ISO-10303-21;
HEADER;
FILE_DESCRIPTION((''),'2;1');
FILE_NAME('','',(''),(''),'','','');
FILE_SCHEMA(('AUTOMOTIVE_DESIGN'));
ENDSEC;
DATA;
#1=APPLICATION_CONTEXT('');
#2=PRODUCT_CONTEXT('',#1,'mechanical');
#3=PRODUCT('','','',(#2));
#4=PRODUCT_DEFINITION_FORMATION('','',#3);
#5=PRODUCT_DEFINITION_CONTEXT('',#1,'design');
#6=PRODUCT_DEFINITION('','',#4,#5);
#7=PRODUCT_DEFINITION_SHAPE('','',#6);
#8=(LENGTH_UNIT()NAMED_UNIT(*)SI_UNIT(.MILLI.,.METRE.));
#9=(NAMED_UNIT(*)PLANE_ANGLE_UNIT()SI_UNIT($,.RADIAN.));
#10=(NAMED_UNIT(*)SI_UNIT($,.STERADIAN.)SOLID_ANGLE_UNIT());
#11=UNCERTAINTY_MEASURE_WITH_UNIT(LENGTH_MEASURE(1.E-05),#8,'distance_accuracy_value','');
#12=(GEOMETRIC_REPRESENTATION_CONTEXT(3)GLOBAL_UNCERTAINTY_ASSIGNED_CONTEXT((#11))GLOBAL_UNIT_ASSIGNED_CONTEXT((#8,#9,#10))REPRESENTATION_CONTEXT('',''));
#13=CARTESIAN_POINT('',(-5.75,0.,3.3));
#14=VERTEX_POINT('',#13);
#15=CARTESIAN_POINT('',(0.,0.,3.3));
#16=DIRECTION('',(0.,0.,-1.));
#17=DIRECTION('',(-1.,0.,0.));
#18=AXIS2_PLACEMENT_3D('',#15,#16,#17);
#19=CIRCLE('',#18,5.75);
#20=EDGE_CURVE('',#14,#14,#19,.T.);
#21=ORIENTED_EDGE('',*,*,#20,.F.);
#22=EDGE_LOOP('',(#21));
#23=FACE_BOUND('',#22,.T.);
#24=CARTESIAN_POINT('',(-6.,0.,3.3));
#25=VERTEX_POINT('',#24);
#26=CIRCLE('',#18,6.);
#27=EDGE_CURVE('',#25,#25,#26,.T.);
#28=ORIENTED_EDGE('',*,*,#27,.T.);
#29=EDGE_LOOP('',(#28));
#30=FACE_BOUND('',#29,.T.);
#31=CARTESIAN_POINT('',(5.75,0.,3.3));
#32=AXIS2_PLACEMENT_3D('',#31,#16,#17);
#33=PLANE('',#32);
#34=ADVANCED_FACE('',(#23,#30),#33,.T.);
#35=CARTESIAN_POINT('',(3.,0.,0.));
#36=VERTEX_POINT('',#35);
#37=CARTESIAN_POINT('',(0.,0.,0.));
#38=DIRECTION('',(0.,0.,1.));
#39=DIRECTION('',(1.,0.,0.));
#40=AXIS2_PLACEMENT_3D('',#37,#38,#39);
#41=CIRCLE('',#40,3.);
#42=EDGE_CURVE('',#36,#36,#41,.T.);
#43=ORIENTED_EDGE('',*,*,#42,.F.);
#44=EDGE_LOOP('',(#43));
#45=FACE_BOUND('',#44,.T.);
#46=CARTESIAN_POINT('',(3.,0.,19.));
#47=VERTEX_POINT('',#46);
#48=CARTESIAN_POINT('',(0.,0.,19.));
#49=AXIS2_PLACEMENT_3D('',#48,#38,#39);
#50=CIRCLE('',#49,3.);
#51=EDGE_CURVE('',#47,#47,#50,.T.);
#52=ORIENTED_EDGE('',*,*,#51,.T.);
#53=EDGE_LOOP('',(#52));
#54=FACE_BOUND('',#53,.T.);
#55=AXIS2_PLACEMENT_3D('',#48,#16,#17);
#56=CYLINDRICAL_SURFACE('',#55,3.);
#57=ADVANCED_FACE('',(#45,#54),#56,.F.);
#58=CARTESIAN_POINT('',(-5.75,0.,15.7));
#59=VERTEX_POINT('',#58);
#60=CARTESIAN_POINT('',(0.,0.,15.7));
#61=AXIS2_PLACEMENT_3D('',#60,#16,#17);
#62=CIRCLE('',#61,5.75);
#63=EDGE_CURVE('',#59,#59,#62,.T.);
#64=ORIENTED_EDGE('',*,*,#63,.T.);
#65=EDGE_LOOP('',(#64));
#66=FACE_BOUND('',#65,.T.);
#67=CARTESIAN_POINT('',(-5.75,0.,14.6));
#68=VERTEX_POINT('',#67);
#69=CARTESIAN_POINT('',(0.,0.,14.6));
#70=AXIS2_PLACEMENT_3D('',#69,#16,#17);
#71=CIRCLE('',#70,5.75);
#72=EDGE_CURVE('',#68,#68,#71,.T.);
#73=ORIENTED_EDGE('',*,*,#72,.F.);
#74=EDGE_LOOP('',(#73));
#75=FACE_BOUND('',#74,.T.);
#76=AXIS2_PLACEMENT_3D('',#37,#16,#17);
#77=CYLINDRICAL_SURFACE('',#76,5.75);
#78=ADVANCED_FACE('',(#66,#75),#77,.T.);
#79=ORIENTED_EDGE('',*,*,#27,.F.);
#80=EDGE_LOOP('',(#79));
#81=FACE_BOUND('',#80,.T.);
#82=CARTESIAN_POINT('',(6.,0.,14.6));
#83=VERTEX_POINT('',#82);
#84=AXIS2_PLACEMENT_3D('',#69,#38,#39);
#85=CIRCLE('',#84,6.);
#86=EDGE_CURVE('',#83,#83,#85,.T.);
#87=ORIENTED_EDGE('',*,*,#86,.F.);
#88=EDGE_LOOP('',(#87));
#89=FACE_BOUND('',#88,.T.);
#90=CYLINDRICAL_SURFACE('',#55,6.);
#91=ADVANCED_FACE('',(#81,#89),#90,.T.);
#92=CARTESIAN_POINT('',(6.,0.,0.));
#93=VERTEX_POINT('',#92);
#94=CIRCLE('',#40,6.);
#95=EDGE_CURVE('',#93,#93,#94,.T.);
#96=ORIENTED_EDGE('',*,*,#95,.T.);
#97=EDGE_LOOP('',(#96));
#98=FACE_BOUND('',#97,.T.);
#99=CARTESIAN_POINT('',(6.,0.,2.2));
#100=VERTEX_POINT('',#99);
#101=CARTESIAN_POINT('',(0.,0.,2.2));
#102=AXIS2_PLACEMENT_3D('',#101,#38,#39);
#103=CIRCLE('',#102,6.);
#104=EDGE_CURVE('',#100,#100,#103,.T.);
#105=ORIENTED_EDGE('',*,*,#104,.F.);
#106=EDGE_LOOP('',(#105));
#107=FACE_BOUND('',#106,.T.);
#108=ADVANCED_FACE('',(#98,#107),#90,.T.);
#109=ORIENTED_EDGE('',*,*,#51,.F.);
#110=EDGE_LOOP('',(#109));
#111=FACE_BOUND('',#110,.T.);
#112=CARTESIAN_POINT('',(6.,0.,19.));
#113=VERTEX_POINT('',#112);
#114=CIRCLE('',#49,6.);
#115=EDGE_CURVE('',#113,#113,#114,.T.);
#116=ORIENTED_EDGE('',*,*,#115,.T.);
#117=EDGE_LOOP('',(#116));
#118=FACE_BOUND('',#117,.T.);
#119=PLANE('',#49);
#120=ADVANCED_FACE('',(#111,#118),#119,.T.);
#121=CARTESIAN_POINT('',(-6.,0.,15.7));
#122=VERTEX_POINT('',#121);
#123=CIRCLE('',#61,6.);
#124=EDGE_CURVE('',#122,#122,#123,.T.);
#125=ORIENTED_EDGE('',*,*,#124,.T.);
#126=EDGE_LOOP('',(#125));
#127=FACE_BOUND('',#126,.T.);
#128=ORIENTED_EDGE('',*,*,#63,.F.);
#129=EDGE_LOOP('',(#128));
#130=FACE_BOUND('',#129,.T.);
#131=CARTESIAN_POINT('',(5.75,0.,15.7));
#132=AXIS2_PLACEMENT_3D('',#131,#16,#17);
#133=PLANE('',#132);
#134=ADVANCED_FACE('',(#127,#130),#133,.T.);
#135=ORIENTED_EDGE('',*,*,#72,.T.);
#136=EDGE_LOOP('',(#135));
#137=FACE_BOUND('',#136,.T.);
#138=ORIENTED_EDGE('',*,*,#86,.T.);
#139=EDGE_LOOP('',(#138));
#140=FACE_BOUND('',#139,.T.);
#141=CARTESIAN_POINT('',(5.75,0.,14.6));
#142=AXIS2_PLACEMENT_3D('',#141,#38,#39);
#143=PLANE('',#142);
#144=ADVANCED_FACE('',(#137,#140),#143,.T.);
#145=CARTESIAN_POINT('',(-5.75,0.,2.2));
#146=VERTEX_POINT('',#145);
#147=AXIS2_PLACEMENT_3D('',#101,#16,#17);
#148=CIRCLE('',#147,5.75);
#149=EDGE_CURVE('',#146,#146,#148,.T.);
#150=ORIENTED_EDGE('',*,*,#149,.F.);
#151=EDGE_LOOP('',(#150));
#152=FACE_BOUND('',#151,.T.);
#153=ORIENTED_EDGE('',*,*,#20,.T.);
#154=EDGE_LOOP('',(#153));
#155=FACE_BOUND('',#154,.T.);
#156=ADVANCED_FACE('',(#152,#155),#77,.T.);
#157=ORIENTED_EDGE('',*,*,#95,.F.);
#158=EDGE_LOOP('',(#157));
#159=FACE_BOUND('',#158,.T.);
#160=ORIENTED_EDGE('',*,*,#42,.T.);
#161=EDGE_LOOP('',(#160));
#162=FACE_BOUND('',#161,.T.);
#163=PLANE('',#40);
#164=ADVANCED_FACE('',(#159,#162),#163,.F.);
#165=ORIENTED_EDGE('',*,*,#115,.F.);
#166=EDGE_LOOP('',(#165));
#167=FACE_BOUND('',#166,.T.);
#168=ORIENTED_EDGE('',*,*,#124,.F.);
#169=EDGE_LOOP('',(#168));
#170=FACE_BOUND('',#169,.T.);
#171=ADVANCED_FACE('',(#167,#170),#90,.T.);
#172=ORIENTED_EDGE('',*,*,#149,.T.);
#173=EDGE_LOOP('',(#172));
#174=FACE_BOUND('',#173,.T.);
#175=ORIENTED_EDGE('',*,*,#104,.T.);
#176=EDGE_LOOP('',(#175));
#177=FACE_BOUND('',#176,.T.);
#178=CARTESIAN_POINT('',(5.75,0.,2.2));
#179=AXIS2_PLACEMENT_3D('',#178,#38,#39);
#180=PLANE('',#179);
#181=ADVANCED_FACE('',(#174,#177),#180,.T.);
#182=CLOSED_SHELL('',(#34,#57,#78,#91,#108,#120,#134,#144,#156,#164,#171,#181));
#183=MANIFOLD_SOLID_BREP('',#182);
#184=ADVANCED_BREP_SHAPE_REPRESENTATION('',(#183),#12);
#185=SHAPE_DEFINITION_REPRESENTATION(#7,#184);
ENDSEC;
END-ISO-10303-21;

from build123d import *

# Parameters (mm, degrees)
SKETCH1_R           = 6
SKETCH1_R_2         = 3
BOSS_EXTRUDE1_DEPTH = 19
SKETCH2_W           = 1.849781756
SKETCH2_H           = 1.1


with BuildPart() as part:
    # Sketch1 → Boss-Extrude1 (new body)
    with BuildSketch(Plane.XY):
        Circle(SKETCH1_R)
        Circle(SKETCH1_R_2, mode=Mode.SUBTRACT)
    extrude(amount=BOSS_EXTRUDE1_DEPTH)

    # Sketch2 → Cut-Revolve1 (revolve, cut)
    with BuildSketch(Plane(origin=(0, 0, 0), x_dir=(1, 0, 0), z_dir=(0, 1, 0))):
        with Locations((6.674890878, -2.75)):
            Rectangle(SKETCH2_W, SKETCH2_H)
        with Locations((6.674890878, -15.15)):
            Rectangle(SKETCH2_W, SKETCH2_H)
    revolve(axis=Axis((0, 0, 0), (0, 0, 1)), mode=Mode.SUBTRACT)


solid = part.part
